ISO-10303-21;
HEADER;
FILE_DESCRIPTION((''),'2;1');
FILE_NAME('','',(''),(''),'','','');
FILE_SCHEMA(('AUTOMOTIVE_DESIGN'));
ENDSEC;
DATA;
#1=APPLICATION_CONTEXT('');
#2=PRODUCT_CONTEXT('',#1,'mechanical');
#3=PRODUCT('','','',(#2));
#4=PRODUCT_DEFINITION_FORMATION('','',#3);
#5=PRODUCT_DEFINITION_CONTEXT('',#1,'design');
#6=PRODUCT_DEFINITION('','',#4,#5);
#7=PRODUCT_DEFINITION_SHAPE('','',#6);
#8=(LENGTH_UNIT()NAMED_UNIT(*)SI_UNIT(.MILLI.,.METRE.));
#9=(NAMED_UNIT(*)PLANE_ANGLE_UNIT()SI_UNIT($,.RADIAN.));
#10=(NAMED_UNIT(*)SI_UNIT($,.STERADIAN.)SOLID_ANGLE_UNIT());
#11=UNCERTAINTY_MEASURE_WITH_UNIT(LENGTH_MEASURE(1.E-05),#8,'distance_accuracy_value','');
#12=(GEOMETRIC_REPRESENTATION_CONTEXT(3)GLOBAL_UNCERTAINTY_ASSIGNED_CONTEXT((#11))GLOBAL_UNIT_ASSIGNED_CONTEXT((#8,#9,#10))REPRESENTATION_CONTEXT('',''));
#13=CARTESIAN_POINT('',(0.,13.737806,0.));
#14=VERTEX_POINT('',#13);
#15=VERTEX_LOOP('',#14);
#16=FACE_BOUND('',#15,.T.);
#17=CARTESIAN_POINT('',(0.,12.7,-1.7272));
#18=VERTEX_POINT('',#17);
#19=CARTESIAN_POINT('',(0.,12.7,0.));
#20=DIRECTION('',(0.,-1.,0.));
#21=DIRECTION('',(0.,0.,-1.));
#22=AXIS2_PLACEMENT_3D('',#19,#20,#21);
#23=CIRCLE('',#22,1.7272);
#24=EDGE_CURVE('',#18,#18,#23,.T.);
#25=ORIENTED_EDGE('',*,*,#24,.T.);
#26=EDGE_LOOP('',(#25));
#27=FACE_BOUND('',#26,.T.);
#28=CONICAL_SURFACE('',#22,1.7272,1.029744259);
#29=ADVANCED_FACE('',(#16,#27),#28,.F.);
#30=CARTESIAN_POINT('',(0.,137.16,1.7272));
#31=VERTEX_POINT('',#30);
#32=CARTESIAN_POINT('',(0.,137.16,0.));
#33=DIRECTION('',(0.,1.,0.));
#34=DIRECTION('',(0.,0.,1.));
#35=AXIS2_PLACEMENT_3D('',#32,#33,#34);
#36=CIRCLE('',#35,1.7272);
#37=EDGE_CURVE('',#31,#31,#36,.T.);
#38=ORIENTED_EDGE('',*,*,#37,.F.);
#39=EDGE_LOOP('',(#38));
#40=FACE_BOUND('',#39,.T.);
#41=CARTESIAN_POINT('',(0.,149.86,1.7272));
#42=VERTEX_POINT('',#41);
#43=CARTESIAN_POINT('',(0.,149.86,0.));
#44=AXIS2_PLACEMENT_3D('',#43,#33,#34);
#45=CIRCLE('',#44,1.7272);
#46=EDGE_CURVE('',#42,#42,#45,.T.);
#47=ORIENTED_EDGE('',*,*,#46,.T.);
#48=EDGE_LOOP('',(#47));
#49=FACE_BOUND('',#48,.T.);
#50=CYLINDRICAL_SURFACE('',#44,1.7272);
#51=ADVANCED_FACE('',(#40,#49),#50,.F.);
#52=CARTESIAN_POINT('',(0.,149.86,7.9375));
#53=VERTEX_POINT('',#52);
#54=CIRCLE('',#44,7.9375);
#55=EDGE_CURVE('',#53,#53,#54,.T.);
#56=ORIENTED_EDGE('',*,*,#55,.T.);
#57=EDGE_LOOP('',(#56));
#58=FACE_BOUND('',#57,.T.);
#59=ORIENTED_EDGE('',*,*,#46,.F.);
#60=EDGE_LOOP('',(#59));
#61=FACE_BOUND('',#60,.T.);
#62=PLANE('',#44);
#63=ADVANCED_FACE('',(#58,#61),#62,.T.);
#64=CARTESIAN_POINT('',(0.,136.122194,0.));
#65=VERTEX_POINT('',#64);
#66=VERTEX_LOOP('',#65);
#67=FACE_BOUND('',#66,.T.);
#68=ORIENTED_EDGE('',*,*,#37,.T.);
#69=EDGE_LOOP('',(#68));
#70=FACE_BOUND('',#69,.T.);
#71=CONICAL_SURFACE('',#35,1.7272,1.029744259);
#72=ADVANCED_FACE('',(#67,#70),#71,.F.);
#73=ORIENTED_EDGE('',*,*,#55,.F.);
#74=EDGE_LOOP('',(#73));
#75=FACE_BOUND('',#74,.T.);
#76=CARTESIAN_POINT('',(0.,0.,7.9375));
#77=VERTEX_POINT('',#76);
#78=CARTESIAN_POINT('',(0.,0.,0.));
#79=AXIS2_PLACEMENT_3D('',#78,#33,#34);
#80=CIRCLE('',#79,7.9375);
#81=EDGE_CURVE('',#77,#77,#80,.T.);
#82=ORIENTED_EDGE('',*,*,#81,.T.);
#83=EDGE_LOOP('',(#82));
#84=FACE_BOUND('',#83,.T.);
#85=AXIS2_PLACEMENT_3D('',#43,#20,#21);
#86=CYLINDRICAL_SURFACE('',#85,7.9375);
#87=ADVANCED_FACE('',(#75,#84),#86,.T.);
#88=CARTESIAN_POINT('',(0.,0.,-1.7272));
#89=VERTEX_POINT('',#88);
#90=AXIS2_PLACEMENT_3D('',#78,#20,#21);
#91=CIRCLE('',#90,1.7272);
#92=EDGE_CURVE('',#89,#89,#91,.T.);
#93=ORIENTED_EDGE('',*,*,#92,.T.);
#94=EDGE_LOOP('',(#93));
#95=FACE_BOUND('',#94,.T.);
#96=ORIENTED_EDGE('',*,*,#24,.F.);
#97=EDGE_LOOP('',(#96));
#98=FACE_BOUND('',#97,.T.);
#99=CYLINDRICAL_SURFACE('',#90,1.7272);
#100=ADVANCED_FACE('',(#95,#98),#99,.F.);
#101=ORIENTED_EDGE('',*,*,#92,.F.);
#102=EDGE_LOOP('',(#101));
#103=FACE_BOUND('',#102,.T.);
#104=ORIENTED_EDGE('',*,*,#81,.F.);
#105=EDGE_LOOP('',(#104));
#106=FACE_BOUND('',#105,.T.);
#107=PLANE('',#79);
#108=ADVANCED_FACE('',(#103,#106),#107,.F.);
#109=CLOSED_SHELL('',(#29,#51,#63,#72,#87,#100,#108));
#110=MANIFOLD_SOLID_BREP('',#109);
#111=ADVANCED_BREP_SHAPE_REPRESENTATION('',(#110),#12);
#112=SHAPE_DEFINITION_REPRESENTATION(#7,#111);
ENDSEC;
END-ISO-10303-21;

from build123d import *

# Parameters (mm, degrees)
SKETCH1_R                 = 7.9375
BOSS_EXTRUDE1_DEPTH       = 149.86
F_8_32_TAPPED_HOLE3_D     = 3.4544
F_8_32_TAPPED_HOLE3_DEPTH = 12.7
F_8_32_TAPPED_HOLE3_TIP   = 1.037806461
F_8_32_TAPPED_HOLE4_D     = 3.4544
F_8_32_TAPPED_HOLE4_DEPTH = 12.7
F_8_32_TAPPED_HOLE4_TIP   = 1.037806461


with BuildPart() as part:
    # Sketch1 → Boss-Extrude1 (new body)
    with BuildSketch(Plane(origin=(0, 0, 0), x_dir=(1, 0, 0), z_dir=(0, 1, 0))):
        Circle(SKETCH1_R)
    extrude(amount=BOSS_EXTRUDE1_DEPTH)

    # #8-32 Tapped Hole3
    with Locations(Plane(origin=(0, 0, 0), x_dir=(-1, 0, 0), z_dir=(0, -1, 0))):
        with Locations((0, 0)):
            Hole(F_8_32_TAPPED_HOLE3_D / 2, depth=F_8_32_TAPPED_HOLE3_DEPTH)
            with Locations((0, 0, -(F_8_32_TAPPED_HOLE3_DEPTH + F_8_32_TAPPED_HOLE3_TIP / 2))):  # 118° drill point
                Cone(0, F_8_32_TAPPED_HOLE3_D / 2, F_8_32_TAPPED_HOLE3_TIP, mode=Mode.SUBTRACT)

    # #8-32 Tapped Hole4
    with Locations(Plane(origin=(0, 149.86, 0), x_dir=(1, 0, 0), z_dir=(0, 1, 0))):
        with Locations((0, 0)):
            Hole(F_8_32_TAPPED_HOLE4_D / 2, depth=F_8_32_TAPPED_HOLE4_DEPTH)
            with Locations((0, 0, -(F_8_32_TAPPED_HOLE4_DEPTH + F_8_32_TAPPED_HOLE4_TIP / 2))):  # 118° drill point
                Cone(0, F_8_32_TAPPED_HOLE4_D / 2, F_8_32_TAPPED_HOLE4_TIP, mode=Mode.SUBTRACT)


solid = part.part
